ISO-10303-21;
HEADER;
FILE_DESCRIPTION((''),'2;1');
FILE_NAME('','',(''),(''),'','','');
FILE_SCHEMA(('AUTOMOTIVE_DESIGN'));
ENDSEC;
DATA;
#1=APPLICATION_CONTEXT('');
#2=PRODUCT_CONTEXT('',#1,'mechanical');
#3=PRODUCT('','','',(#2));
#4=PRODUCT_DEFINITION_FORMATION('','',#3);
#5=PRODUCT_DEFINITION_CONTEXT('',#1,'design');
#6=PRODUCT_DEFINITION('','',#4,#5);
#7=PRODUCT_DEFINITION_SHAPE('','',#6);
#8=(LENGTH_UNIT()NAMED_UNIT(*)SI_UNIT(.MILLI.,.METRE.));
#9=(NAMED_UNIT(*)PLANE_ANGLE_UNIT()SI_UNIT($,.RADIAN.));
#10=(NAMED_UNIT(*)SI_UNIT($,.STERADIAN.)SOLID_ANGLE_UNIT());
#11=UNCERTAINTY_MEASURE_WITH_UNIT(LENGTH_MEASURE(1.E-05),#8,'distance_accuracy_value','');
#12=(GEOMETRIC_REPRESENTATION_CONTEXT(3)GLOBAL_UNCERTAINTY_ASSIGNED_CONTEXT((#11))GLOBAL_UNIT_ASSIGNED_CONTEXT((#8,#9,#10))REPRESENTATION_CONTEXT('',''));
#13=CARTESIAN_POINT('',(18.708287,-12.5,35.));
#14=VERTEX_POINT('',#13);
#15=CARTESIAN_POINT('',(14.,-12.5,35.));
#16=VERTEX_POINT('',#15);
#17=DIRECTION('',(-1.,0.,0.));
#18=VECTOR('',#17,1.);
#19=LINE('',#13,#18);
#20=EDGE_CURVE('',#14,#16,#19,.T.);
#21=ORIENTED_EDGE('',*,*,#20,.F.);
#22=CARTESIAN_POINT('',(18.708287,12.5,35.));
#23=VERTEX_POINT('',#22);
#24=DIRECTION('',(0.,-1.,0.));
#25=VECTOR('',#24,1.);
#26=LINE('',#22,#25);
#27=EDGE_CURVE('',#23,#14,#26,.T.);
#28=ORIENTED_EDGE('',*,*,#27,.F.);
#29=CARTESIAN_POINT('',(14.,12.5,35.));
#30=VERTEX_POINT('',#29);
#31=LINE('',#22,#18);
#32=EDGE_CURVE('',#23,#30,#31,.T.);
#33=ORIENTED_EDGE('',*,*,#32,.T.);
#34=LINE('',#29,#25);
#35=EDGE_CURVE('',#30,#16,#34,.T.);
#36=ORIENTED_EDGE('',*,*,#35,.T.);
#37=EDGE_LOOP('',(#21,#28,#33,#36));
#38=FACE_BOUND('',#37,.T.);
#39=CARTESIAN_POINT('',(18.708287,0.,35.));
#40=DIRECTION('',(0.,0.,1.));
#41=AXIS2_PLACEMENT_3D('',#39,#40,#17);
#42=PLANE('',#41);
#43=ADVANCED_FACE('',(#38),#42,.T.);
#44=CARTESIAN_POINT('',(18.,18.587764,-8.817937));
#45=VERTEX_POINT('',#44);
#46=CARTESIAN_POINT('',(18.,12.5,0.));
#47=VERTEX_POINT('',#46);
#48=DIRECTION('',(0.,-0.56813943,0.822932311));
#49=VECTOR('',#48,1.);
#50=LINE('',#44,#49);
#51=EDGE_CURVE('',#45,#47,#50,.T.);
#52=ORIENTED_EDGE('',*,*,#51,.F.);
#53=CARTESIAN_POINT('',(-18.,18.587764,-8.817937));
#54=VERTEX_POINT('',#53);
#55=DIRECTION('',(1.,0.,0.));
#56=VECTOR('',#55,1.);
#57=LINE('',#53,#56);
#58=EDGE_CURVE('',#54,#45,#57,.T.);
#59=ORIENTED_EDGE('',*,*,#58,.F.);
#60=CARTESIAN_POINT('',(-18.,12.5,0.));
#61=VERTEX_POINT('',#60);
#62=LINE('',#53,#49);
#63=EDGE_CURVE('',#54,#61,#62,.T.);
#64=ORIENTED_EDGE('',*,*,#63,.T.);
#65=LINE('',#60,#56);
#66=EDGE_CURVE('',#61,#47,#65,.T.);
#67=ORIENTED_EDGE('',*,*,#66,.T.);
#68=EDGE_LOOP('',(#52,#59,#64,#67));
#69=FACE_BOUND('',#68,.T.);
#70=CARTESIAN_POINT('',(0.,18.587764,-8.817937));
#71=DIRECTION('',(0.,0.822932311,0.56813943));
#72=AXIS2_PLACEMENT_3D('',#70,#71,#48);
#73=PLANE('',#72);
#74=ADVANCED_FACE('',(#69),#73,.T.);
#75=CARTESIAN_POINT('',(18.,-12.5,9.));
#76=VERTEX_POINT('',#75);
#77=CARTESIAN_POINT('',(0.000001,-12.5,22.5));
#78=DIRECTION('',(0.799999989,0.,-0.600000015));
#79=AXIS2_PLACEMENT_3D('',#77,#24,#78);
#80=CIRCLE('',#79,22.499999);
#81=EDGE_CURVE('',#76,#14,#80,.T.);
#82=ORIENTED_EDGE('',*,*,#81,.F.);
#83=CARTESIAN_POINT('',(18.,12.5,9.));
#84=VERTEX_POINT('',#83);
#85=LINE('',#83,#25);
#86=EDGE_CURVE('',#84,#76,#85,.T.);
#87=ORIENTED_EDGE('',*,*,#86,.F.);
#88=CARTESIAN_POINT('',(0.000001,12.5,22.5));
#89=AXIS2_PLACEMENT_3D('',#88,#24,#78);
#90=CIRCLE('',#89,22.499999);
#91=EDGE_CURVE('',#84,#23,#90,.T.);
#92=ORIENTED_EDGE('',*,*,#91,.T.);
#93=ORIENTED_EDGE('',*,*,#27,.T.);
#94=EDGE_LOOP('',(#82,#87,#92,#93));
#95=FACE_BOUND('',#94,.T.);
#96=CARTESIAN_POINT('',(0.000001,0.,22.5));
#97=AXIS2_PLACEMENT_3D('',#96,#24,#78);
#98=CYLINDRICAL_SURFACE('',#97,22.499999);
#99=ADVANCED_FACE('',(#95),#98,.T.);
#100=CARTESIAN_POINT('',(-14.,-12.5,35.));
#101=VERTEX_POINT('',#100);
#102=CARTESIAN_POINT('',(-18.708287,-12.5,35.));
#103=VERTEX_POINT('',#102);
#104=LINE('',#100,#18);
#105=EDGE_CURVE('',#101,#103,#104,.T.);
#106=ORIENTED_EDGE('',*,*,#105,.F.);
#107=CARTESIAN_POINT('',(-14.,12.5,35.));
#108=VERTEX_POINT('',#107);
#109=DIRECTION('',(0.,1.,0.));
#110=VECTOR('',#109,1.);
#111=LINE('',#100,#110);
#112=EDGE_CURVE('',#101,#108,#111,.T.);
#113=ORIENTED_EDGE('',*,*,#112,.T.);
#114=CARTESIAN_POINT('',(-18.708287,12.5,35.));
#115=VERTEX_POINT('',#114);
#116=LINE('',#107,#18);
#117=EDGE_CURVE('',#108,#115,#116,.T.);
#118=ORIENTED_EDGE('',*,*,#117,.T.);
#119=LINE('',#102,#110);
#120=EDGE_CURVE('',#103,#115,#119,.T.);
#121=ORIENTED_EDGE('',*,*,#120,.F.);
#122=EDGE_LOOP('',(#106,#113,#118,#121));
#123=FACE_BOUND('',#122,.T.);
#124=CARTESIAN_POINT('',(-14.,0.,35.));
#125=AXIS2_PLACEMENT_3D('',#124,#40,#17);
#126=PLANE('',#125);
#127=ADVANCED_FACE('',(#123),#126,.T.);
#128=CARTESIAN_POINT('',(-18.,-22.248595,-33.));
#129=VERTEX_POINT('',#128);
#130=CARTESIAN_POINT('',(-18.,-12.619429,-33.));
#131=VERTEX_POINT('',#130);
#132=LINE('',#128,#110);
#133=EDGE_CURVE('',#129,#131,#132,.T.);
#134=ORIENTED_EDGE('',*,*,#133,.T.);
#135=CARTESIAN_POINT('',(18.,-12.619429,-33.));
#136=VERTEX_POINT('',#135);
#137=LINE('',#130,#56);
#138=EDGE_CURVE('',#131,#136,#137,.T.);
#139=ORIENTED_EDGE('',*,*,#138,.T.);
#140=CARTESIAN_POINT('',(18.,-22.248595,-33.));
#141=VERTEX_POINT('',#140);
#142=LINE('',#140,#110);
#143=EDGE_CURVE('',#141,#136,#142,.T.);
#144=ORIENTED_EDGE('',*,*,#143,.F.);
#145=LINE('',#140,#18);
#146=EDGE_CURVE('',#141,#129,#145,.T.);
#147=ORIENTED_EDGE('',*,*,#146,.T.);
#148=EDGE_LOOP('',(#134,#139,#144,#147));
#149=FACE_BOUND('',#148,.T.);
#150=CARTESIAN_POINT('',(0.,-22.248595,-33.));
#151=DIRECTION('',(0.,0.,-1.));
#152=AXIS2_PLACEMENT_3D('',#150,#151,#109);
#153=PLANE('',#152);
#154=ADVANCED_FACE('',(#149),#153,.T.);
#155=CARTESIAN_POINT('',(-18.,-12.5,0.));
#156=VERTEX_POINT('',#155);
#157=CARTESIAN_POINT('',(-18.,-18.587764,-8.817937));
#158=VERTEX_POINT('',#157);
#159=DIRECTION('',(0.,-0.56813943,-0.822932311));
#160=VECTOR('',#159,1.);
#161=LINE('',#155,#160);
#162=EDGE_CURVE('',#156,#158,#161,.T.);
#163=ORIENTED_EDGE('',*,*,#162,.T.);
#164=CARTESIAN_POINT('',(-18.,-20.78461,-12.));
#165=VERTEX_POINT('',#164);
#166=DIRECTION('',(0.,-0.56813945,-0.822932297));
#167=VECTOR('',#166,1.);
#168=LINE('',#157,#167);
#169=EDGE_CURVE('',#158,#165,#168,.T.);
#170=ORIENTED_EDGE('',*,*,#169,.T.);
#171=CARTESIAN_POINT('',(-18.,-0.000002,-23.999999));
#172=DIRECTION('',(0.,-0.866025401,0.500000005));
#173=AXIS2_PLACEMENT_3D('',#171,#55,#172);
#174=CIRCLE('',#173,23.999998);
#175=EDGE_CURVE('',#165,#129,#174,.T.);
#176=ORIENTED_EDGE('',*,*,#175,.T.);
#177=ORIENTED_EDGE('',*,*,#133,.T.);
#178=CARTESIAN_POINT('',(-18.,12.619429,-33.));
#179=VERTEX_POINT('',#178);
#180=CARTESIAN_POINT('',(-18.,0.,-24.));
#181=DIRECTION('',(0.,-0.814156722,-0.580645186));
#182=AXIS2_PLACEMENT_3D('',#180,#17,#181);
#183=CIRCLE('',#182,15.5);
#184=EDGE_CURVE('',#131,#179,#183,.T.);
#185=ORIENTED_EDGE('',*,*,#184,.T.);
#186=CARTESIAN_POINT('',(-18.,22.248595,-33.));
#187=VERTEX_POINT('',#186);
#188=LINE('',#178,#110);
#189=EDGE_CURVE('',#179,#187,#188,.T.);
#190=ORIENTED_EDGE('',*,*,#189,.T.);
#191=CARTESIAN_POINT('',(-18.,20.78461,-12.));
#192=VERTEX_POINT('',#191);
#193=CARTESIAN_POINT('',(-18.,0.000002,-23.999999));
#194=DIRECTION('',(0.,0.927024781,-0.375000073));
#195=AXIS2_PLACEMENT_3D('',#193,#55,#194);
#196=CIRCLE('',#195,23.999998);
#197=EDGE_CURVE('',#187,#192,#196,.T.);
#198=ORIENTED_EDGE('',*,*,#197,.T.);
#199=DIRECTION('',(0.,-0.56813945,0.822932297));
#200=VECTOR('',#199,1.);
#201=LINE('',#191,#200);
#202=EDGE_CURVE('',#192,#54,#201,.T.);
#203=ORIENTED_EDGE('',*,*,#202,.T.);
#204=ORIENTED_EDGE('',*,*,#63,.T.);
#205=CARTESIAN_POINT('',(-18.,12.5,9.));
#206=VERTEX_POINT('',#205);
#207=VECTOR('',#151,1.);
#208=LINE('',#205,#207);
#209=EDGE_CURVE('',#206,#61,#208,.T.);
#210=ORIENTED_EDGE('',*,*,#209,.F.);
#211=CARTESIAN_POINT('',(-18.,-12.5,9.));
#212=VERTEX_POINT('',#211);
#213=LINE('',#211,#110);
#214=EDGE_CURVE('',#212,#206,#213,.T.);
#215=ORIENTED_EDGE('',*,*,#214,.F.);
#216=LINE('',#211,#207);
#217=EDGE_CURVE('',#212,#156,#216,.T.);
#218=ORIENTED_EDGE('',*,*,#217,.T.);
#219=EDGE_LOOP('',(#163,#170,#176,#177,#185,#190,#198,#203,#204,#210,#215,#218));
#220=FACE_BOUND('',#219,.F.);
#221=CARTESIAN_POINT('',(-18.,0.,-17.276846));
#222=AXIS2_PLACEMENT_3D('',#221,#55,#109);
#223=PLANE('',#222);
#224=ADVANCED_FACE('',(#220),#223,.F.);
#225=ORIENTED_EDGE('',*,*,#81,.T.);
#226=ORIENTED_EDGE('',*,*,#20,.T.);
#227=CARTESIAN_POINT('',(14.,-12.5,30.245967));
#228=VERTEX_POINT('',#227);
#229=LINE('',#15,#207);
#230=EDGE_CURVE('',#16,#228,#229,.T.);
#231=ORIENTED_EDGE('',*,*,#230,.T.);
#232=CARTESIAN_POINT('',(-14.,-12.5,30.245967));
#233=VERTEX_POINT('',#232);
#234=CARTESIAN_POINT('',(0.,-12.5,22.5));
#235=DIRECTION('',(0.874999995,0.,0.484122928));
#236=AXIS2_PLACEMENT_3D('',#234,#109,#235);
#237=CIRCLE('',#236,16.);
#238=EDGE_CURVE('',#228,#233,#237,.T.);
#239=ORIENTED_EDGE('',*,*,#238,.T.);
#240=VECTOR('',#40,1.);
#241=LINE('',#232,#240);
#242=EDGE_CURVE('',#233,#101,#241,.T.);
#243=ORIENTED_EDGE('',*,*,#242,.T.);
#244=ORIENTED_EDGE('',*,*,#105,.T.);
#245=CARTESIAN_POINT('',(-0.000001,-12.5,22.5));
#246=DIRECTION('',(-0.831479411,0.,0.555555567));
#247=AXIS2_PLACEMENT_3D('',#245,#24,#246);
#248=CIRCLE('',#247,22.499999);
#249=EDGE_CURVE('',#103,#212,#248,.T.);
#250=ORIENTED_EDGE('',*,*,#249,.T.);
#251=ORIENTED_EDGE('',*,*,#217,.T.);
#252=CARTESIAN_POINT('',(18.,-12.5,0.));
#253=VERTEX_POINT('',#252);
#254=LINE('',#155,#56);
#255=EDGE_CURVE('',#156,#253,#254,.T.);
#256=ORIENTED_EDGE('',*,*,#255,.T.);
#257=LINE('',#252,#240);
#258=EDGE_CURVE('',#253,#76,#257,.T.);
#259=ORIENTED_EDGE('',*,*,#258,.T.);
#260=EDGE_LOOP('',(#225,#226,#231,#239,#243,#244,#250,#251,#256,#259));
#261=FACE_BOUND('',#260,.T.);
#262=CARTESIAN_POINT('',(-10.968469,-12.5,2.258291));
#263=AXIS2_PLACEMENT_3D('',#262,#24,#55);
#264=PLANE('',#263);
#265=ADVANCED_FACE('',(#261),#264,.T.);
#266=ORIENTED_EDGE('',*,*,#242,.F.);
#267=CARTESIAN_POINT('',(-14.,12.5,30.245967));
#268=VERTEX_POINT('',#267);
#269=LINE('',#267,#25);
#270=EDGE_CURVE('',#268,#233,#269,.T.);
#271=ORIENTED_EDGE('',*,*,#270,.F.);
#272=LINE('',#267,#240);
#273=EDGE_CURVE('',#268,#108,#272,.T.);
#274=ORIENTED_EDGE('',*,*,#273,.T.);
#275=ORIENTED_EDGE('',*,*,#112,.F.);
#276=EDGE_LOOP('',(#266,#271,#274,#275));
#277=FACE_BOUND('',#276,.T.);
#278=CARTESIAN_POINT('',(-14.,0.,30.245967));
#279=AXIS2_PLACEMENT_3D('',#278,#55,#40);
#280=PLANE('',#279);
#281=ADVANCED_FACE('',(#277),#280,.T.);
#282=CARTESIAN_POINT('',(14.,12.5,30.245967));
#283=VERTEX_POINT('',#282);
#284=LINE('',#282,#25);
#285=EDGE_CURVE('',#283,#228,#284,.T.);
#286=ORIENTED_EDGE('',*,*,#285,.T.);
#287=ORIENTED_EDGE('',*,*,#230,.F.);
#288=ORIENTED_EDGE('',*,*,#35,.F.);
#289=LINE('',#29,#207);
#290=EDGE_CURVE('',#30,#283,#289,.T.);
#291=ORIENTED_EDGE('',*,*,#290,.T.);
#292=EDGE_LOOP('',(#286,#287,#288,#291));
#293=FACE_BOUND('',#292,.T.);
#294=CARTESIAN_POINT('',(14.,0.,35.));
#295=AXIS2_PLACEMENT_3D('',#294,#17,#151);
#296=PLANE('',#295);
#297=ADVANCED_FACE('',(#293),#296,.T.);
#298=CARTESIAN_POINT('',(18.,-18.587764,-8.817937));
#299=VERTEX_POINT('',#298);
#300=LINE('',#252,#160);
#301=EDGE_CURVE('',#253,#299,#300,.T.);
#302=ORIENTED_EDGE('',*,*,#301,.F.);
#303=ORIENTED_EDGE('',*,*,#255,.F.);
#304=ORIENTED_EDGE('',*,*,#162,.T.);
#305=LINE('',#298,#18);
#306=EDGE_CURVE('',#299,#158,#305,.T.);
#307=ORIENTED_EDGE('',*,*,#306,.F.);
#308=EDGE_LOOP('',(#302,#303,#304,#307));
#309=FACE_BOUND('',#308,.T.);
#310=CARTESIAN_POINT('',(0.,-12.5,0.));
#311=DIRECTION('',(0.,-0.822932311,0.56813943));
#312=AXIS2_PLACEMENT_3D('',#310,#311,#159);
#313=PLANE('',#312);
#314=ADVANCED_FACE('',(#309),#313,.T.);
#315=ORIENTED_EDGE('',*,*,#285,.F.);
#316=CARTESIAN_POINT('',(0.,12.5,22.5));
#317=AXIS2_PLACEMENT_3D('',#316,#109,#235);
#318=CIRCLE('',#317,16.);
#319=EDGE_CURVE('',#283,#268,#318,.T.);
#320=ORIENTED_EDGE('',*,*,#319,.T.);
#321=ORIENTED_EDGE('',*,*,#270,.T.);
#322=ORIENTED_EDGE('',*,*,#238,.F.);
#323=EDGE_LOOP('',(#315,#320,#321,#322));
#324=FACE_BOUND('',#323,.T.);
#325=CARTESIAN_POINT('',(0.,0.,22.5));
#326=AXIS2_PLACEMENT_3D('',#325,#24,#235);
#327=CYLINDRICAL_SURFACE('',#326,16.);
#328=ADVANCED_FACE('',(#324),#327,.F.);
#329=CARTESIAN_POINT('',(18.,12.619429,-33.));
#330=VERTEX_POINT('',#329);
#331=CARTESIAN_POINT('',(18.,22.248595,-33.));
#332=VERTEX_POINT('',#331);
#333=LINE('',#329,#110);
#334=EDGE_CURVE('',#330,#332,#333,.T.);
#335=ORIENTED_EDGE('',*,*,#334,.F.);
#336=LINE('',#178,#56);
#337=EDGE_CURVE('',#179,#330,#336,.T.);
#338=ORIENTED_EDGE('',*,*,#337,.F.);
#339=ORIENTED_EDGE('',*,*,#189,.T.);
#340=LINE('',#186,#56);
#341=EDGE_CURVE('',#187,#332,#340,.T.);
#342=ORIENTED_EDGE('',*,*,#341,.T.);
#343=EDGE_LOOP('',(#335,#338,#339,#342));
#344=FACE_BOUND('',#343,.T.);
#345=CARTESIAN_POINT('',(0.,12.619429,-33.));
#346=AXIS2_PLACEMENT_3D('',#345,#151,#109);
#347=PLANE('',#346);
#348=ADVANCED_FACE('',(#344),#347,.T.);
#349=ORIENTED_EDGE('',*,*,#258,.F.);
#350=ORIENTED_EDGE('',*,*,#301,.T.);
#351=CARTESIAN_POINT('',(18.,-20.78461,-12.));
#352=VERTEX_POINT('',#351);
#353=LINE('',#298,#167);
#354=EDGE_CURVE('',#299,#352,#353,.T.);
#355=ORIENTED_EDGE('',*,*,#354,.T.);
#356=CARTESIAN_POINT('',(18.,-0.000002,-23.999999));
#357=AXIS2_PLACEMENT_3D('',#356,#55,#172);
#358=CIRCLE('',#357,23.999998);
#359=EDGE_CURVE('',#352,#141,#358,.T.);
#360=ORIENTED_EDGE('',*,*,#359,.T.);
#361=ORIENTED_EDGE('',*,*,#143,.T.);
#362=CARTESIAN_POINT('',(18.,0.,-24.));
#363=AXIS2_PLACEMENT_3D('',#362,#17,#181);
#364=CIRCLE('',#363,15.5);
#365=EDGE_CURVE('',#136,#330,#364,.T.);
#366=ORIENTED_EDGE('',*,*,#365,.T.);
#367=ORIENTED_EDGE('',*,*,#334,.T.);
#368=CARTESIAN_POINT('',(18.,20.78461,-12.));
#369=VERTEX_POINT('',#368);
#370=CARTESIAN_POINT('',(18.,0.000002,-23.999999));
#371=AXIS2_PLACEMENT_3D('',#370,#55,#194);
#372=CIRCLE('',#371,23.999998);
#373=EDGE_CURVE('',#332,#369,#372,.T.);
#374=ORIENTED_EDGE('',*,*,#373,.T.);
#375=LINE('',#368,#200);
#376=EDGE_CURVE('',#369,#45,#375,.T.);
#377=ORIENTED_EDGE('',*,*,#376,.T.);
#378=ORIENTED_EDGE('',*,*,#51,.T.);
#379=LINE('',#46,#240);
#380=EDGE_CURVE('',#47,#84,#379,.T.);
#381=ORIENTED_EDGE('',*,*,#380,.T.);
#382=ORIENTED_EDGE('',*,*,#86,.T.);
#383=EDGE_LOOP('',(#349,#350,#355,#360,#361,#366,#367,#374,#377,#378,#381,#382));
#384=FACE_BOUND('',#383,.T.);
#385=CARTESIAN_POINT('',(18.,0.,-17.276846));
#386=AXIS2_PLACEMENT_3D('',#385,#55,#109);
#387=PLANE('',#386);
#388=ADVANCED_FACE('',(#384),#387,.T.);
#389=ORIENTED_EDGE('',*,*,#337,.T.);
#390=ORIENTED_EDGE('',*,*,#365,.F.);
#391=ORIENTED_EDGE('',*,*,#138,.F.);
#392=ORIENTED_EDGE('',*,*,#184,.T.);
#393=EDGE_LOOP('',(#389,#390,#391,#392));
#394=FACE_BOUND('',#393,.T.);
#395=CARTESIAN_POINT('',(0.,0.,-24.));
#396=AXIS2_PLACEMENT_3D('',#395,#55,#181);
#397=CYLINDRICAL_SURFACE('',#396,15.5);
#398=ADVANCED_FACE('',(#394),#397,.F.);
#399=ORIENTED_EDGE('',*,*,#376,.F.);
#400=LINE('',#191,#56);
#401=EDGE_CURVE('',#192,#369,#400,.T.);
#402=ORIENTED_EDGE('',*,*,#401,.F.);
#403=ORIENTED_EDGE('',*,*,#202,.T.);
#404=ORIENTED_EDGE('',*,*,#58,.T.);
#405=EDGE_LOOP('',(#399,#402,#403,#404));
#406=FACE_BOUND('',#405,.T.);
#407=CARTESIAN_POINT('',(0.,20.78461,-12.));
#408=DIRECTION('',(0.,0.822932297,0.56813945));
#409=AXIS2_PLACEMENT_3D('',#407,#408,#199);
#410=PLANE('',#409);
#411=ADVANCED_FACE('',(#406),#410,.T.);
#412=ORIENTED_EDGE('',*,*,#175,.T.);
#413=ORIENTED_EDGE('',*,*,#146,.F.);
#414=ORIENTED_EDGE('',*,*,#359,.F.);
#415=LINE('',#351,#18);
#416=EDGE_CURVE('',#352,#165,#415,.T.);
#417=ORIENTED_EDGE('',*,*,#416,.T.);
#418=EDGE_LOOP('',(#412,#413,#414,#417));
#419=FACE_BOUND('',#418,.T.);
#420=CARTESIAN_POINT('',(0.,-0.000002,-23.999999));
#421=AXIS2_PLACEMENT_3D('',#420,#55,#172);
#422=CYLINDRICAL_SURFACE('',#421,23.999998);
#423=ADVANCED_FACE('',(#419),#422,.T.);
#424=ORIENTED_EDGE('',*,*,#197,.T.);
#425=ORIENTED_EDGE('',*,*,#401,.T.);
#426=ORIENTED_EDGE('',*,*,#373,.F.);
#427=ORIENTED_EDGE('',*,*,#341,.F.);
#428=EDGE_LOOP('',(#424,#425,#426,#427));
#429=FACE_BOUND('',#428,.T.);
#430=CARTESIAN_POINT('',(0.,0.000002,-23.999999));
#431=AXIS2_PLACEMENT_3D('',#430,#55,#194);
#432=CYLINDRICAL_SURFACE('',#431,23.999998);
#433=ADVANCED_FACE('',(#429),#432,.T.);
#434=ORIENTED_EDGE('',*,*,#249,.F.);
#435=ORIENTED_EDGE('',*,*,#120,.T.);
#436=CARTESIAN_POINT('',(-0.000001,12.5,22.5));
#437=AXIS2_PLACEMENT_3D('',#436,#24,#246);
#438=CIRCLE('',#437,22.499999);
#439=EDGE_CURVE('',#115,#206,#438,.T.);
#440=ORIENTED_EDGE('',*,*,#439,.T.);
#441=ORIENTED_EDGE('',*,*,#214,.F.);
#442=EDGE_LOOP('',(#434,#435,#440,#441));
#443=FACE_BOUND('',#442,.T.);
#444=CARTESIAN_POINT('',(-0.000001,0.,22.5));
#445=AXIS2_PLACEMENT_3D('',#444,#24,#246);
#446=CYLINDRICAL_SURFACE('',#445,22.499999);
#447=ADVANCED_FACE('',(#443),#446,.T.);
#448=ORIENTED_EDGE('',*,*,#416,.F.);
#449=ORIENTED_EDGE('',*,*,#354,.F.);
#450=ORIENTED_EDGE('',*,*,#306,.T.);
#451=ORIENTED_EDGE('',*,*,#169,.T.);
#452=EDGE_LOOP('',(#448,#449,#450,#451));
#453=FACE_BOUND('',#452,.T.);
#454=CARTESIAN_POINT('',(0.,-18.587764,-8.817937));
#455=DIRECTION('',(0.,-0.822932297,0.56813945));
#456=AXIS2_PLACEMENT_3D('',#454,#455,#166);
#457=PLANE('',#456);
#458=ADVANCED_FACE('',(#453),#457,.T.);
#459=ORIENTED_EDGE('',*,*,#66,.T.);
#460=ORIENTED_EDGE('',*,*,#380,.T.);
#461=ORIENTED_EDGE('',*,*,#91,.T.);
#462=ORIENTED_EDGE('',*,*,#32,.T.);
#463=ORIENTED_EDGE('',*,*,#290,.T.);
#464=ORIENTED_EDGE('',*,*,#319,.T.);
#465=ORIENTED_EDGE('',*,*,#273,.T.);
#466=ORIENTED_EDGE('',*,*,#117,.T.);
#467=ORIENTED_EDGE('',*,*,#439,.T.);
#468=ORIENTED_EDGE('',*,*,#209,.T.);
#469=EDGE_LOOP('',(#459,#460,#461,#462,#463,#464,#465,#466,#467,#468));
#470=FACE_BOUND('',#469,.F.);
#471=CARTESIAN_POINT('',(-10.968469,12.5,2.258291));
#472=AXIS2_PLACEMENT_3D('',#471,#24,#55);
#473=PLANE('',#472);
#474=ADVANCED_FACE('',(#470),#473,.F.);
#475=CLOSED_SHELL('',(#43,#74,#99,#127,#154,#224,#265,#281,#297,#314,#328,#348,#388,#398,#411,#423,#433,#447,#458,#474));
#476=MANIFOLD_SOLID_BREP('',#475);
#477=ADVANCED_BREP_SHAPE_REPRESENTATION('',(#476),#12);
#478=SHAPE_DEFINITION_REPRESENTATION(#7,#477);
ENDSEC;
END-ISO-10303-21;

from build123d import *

# Parameters (mm, degrees)
F1_DEPTH = 12.5
F3_DEPTH = 18


with BuildPart() as f1:
    # F0 (on Front) → F1 (new body, symmetric)
    with BuildSketch(Plane.XZ):
        with BuildLine():
            ThreePointArc((0, 0), (-10.062306, 2.375388), (-18, 9))
            Line((-18, 9), (-18, 0))
            Line((-18, 0), (0, 0))
        make_face()
        with BuildLine():
            ThreePointArc((14, 30.245967), (0, 6.5), (-14, 30.245967))
            Line((-14, 30.245967), (-14, 35))
            Line((-14, 35), (-18.708287, 35))
            ThreePointArc((-18.708287, 35), (-22.491656, 21.887287), (-18, 9))
            ThreePointArc((-18, 9), (-10.062306, 2.375388), (0, 0))
            ThreePointArc((0, 0), (10.062306, 2.375388), (18, 9))
            ThreePointArc((18, 9), (22.491656, 21.887287), (18.708287, 35))
            Line((18.708287, 35), (14, 35))
            Line((14, 35), (14, 30.245967))
        make_face()
        with BuildLine():
            Line((18, 0), (18, 9))
            ThreePointArc((18, 9), (10.062306, 2.375388), (0, 0))
            Line((0, 0), (18, 0))
        make_face()
    extrude(amount=F1_DEPTH, both=True)

    # F2 (on Right) → F3 (join, symmetric)
    with BuildSketch(Plane.YZ):
        with BuildLine():
            Line((-22.248595, -33), (-12.619429, -33))
            ThreePointArc((-12.619429, -33), (0, -8.5), (12.619429, -33))
            Line((12.619429, -33), (22.248595, -33))
            ThreePointArc((22.248595, -33), (23.941892, -22.330924), (20.78461, -12))
            Line((20.78461, -12), (18.587764, -8.817937))
            ThreePointArc((18.587764, -8.817937), (10.286654, -2.316256), (0, 0))
            ThreePointArc((0, 0), (-10.286654, -2.316256), (-18.587764, -8.817937))
            Line((-18.587764, -8.817937), (-20.78461, -12))
            ThreePointArc((-20.78461, -12), (-23.941892, -22.330924), (-22.248595, -33))
        make_face()
        with BuildLine():
            Line((-12.5, 0), (-18.587764, -8.817937))
            ThreePointArc((-18.587764, -8.817937), (-10.286654, -2.316256), (0, 0))
            Line((0, 0), (-12.5, 0))
        make_face()
        with BuildLine():
            Line((12.5, 0), (0, 0))
            ThreePointArc((0, 0), (10.286654, -2.316256), (18.587764, -8.817937))
            Line((18.587764, -8.817937), (12.5, 0))
        make_face()
    extrude(amount=F3_DEPTH, both=True)


solid = f1.part
